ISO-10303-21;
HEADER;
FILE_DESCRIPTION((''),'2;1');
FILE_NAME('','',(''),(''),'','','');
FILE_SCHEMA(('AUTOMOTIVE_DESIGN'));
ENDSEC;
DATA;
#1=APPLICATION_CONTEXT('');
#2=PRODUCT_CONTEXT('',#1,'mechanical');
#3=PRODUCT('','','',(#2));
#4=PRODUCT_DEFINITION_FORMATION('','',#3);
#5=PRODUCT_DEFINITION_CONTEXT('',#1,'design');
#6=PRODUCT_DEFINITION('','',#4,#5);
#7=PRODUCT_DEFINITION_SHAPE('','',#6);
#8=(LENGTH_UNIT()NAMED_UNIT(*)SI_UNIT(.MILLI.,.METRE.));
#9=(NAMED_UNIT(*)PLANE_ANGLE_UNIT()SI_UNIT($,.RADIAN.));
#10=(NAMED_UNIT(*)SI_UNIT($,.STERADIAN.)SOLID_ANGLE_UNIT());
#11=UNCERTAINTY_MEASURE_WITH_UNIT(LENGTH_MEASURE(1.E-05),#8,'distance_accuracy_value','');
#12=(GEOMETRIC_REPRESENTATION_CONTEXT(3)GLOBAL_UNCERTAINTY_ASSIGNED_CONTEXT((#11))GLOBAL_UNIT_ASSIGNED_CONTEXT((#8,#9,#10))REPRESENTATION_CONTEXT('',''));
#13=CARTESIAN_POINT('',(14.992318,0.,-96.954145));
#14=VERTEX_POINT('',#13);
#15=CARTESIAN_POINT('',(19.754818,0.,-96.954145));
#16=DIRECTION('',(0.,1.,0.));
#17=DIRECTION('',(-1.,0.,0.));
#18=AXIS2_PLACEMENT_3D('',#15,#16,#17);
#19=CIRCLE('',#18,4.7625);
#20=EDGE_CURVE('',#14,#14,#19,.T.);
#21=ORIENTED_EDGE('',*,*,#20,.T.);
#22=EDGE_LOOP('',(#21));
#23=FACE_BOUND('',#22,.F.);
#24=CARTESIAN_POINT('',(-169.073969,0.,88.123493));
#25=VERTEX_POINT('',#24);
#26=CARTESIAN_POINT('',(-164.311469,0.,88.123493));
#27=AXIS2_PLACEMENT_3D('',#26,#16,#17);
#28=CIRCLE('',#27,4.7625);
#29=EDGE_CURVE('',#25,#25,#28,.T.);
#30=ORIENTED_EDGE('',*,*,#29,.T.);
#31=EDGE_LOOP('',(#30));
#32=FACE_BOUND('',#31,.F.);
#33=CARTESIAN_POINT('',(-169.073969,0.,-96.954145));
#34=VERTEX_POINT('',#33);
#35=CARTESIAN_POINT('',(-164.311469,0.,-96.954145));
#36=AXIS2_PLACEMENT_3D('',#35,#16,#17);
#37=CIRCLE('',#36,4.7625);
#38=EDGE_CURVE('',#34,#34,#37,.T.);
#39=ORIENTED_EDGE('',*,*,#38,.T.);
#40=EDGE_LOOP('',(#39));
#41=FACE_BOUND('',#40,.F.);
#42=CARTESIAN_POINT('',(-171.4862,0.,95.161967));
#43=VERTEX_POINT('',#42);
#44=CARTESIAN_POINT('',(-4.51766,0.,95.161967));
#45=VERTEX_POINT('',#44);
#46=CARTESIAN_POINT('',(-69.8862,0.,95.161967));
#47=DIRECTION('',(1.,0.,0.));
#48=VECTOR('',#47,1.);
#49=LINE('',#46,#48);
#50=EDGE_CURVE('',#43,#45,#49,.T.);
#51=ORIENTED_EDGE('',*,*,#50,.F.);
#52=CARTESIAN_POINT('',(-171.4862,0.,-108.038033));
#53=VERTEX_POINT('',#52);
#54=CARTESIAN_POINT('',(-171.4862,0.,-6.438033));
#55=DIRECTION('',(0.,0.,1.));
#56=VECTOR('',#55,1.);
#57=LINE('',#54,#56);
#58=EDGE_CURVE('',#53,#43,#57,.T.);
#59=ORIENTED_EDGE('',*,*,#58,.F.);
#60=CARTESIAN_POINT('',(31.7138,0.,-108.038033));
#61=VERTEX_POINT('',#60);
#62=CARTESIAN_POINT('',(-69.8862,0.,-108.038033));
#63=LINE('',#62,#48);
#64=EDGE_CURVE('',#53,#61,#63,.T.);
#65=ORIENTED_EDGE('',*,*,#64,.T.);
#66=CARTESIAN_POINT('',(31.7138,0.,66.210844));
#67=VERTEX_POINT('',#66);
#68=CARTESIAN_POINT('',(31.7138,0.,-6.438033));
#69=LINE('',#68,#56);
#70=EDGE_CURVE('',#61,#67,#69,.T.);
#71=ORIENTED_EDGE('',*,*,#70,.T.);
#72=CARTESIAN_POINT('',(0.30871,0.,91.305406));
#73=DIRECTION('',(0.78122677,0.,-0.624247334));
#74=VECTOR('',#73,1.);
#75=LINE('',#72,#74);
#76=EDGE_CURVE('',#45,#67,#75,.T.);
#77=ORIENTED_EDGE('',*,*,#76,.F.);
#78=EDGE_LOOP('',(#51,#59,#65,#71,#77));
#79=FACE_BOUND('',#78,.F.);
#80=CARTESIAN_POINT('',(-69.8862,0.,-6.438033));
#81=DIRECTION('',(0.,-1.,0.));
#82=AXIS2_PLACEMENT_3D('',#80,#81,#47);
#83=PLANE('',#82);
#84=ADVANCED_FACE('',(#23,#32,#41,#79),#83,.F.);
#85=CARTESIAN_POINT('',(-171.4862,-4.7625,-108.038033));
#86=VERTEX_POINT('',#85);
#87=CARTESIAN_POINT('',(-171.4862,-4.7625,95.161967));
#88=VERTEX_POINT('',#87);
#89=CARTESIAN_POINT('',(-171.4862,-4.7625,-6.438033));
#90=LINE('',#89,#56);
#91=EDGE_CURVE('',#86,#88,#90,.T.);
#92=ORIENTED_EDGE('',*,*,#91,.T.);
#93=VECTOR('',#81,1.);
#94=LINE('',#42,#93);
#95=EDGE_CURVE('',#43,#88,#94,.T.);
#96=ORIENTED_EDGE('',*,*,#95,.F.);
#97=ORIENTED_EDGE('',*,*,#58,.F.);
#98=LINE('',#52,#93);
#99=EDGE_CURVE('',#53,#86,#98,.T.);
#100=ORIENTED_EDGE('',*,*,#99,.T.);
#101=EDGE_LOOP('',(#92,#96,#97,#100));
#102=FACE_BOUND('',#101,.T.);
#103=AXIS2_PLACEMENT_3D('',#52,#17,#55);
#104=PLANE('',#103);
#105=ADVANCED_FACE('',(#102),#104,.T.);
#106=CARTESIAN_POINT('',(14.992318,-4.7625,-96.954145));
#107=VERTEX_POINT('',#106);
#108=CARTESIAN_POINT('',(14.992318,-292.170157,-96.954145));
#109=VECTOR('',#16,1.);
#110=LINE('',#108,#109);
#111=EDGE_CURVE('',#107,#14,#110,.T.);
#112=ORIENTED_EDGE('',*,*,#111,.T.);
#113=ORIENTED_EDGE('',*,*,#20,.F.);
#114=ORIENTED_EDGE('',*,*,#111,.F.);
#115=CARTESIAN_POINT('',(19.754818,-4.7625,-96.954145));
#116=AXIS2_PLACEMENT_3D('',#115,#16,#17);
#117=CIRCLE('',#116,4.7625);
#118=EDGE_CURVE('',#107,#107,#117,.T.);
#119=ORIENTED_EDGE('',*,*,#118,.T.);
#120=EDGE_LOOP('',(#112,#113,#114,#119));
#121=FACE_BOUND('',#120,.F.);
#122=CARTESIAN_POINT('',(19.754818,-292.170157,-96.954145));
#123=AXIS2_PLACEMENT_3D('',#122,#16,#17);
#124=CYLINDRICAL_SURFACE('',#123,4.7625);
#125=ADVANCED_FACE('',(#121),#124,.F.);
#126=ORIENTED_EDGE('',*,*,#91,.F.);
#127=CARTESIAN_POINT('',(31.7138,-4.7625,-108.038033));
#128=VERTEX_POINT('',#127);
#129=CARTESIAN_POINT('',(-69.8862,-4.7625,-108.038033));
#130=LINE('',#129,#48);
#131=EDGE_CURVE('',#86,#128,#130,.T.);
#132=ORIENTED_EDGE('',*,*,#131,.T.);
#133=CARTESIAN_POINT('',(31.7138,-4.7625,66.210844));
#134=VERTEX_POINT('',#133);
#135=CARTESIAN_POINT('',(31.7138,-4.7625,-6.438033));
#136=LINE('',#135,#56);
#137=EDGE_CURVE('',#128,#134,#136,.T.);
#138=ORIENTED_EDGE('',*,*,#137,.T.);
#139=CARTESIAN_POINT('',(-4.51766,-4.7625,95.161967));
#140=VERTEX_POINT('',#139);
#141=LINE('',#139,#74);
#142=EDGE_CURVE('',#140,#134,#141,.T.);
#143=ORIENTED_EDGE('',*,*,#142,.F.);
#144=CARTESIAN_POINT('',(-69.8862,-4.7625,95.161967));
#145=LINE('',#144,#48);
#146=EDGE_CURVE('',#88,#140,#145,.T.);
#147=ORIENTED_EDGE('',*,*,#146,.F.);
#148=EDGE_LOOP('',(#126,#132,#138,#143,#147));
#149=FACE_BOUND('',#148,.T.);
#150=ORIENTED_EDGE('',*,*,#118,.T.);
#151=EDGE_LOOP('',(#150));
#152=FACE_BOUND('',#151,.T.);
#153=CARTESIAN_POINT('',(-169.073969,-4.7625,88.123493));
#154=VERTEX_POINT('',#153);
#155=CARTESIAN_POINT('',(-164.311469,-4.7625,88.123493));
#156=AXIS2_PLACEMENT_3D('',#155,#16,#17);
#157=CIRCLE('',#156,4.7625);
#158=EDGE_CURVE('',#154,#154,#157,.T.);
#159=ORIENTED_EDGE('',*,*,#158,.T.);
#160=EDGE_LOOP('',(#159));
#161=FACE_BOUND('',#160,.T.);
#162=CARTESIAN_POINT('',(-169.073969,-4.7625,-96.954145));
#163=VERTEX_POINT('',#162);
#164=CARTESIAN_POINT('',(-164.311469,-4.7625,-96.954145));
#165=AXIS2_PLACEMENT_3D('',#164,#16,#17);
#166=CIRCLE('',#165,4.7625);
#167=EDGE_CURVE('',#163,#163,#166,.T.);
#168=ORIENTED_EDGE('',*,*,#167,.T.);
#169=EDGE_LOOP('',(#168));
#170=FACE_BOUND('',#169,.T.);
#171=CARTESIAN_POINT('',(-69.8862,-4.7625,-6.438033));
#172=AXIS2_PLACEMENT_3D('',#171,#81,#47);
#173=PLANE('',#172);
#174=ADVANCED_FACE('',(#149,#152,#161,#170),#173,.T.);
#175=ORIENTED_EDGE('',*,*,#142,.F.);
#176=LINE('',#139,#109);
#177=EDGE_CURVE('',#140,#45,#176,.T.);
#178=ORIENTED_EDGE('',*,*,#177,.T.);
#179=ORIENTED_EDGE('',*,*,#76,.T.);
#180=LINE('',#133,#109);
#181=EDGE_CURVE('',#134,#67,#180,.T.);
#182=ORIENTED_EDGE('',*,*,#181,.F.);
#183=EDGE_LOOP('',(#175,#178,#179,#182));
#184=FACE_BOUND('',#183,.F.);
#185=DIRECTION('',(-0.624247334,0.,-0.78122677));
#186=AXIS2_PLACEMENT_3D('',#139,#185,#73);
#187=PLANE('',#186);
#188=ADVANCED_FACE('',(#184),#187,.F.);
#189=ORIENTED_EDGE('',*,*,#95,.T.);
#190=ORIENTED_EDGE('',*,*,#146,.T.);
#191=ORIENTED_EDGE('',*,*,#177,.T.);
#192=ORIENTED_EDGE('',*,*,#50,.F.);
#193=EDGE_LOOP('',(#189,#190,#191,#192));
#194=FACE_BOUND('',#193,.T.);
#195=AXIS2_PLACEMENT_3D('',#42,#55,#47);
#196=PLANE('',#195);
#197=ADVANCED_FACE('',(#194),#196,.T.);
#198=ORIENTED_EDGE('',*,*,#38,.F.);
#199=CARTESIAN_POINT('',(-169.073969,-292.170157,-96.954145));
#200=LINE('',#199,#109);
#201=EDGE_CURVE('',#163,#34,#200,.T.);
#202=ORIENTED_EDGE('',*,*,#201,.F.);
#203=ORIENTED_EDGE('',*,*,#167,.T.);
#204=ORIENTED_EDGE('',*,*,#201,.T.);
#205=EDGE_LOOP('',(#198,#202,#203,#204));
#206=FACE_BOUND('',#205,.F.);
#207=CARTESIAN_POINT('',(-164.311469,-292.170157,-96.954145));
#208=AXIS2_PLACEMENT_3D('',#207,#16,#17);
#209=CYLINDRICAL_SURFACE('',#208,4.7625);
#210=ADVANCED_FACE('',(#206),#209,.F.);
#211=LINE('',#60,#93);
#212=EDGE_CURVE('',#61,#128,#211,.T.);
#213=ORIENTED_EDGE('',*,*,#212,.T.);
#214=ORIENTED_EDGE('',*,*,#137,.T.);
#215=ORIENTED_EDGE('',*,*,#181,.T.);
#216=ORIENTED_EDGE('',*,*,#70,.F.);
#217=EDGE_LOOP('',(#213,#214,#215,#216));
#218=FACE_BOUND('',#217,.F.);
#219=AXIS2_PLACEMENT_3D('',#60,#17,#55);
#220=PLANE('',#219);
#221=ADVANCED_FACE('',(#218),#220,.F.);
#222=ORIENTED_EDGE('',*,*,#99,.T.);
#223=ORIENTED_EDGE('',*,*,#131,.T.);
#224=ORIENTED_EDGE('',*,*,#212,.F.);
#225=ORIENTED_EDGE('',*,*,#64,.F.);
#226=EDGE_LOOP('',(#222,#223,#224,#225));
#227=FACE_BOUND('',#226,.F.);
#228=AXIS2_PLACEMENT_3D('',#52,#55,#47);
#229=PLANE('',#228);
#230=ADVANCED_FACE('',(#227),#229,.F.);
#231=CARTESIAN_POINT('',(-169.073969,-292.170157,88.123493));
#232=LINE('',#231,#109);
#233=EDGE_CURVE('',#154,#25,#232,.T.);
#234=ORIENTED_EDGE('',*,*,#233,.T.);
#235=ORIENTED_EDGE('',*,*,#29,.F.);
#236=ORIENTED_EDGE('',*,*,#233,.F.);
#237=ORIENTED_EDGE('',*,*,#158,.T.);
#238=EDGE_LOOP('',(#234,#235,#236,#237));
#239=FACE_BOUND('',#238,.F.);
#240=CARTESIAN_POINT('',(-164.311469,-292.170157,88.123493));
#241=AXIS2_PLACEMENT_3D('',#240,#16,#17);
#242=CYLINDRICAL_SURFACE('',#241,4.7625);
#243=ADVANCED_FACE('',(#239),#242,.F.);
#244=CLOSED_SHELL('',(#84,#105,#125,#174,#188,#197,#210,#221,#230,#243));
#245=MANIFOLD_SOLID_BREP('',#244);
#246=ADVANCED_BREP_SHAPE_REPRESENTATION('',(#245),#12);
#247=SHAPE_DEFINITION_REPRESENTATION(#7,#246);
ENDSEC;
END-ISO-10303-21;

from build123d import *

# Parameters (mm, degrees)
F0_W     = 203.2
F0_H     = 203.2
F1_DEPTH = 4.7625
F3_DEPTH = 25.4
F5_D     = 9.525


with BuildPart() as f1:
    # F0 (on Front) → F1 (new body)
    with BuildSketch(Plane.XZ):
        with Locations((-69.8862, -6.438033)):
            Rectangle(F0_W, F0_H)
    extrude(amount=F1_DEPTH)

    # F2 (on face) → F3 (cut)
    with BuildSketch(Plane.XZ.offset(4.7625)):
        Polygon((31.7138, 95.161967), (-4.51766, 95.161967), (31.7138, 66.210844), align=None)
    extrude(amount=-F3_DEPTH, mode=Mode.SUBTRACT)

    # F5 (through all)
    with Locations(Plane.XZ.offset(4.7625)):
        with Locations((-164.311469, 88.123493), (-164.311469, -96.954145), (19.754818, -96.954145)):
            Hole(F5_D / 2)


solid = f1.part
